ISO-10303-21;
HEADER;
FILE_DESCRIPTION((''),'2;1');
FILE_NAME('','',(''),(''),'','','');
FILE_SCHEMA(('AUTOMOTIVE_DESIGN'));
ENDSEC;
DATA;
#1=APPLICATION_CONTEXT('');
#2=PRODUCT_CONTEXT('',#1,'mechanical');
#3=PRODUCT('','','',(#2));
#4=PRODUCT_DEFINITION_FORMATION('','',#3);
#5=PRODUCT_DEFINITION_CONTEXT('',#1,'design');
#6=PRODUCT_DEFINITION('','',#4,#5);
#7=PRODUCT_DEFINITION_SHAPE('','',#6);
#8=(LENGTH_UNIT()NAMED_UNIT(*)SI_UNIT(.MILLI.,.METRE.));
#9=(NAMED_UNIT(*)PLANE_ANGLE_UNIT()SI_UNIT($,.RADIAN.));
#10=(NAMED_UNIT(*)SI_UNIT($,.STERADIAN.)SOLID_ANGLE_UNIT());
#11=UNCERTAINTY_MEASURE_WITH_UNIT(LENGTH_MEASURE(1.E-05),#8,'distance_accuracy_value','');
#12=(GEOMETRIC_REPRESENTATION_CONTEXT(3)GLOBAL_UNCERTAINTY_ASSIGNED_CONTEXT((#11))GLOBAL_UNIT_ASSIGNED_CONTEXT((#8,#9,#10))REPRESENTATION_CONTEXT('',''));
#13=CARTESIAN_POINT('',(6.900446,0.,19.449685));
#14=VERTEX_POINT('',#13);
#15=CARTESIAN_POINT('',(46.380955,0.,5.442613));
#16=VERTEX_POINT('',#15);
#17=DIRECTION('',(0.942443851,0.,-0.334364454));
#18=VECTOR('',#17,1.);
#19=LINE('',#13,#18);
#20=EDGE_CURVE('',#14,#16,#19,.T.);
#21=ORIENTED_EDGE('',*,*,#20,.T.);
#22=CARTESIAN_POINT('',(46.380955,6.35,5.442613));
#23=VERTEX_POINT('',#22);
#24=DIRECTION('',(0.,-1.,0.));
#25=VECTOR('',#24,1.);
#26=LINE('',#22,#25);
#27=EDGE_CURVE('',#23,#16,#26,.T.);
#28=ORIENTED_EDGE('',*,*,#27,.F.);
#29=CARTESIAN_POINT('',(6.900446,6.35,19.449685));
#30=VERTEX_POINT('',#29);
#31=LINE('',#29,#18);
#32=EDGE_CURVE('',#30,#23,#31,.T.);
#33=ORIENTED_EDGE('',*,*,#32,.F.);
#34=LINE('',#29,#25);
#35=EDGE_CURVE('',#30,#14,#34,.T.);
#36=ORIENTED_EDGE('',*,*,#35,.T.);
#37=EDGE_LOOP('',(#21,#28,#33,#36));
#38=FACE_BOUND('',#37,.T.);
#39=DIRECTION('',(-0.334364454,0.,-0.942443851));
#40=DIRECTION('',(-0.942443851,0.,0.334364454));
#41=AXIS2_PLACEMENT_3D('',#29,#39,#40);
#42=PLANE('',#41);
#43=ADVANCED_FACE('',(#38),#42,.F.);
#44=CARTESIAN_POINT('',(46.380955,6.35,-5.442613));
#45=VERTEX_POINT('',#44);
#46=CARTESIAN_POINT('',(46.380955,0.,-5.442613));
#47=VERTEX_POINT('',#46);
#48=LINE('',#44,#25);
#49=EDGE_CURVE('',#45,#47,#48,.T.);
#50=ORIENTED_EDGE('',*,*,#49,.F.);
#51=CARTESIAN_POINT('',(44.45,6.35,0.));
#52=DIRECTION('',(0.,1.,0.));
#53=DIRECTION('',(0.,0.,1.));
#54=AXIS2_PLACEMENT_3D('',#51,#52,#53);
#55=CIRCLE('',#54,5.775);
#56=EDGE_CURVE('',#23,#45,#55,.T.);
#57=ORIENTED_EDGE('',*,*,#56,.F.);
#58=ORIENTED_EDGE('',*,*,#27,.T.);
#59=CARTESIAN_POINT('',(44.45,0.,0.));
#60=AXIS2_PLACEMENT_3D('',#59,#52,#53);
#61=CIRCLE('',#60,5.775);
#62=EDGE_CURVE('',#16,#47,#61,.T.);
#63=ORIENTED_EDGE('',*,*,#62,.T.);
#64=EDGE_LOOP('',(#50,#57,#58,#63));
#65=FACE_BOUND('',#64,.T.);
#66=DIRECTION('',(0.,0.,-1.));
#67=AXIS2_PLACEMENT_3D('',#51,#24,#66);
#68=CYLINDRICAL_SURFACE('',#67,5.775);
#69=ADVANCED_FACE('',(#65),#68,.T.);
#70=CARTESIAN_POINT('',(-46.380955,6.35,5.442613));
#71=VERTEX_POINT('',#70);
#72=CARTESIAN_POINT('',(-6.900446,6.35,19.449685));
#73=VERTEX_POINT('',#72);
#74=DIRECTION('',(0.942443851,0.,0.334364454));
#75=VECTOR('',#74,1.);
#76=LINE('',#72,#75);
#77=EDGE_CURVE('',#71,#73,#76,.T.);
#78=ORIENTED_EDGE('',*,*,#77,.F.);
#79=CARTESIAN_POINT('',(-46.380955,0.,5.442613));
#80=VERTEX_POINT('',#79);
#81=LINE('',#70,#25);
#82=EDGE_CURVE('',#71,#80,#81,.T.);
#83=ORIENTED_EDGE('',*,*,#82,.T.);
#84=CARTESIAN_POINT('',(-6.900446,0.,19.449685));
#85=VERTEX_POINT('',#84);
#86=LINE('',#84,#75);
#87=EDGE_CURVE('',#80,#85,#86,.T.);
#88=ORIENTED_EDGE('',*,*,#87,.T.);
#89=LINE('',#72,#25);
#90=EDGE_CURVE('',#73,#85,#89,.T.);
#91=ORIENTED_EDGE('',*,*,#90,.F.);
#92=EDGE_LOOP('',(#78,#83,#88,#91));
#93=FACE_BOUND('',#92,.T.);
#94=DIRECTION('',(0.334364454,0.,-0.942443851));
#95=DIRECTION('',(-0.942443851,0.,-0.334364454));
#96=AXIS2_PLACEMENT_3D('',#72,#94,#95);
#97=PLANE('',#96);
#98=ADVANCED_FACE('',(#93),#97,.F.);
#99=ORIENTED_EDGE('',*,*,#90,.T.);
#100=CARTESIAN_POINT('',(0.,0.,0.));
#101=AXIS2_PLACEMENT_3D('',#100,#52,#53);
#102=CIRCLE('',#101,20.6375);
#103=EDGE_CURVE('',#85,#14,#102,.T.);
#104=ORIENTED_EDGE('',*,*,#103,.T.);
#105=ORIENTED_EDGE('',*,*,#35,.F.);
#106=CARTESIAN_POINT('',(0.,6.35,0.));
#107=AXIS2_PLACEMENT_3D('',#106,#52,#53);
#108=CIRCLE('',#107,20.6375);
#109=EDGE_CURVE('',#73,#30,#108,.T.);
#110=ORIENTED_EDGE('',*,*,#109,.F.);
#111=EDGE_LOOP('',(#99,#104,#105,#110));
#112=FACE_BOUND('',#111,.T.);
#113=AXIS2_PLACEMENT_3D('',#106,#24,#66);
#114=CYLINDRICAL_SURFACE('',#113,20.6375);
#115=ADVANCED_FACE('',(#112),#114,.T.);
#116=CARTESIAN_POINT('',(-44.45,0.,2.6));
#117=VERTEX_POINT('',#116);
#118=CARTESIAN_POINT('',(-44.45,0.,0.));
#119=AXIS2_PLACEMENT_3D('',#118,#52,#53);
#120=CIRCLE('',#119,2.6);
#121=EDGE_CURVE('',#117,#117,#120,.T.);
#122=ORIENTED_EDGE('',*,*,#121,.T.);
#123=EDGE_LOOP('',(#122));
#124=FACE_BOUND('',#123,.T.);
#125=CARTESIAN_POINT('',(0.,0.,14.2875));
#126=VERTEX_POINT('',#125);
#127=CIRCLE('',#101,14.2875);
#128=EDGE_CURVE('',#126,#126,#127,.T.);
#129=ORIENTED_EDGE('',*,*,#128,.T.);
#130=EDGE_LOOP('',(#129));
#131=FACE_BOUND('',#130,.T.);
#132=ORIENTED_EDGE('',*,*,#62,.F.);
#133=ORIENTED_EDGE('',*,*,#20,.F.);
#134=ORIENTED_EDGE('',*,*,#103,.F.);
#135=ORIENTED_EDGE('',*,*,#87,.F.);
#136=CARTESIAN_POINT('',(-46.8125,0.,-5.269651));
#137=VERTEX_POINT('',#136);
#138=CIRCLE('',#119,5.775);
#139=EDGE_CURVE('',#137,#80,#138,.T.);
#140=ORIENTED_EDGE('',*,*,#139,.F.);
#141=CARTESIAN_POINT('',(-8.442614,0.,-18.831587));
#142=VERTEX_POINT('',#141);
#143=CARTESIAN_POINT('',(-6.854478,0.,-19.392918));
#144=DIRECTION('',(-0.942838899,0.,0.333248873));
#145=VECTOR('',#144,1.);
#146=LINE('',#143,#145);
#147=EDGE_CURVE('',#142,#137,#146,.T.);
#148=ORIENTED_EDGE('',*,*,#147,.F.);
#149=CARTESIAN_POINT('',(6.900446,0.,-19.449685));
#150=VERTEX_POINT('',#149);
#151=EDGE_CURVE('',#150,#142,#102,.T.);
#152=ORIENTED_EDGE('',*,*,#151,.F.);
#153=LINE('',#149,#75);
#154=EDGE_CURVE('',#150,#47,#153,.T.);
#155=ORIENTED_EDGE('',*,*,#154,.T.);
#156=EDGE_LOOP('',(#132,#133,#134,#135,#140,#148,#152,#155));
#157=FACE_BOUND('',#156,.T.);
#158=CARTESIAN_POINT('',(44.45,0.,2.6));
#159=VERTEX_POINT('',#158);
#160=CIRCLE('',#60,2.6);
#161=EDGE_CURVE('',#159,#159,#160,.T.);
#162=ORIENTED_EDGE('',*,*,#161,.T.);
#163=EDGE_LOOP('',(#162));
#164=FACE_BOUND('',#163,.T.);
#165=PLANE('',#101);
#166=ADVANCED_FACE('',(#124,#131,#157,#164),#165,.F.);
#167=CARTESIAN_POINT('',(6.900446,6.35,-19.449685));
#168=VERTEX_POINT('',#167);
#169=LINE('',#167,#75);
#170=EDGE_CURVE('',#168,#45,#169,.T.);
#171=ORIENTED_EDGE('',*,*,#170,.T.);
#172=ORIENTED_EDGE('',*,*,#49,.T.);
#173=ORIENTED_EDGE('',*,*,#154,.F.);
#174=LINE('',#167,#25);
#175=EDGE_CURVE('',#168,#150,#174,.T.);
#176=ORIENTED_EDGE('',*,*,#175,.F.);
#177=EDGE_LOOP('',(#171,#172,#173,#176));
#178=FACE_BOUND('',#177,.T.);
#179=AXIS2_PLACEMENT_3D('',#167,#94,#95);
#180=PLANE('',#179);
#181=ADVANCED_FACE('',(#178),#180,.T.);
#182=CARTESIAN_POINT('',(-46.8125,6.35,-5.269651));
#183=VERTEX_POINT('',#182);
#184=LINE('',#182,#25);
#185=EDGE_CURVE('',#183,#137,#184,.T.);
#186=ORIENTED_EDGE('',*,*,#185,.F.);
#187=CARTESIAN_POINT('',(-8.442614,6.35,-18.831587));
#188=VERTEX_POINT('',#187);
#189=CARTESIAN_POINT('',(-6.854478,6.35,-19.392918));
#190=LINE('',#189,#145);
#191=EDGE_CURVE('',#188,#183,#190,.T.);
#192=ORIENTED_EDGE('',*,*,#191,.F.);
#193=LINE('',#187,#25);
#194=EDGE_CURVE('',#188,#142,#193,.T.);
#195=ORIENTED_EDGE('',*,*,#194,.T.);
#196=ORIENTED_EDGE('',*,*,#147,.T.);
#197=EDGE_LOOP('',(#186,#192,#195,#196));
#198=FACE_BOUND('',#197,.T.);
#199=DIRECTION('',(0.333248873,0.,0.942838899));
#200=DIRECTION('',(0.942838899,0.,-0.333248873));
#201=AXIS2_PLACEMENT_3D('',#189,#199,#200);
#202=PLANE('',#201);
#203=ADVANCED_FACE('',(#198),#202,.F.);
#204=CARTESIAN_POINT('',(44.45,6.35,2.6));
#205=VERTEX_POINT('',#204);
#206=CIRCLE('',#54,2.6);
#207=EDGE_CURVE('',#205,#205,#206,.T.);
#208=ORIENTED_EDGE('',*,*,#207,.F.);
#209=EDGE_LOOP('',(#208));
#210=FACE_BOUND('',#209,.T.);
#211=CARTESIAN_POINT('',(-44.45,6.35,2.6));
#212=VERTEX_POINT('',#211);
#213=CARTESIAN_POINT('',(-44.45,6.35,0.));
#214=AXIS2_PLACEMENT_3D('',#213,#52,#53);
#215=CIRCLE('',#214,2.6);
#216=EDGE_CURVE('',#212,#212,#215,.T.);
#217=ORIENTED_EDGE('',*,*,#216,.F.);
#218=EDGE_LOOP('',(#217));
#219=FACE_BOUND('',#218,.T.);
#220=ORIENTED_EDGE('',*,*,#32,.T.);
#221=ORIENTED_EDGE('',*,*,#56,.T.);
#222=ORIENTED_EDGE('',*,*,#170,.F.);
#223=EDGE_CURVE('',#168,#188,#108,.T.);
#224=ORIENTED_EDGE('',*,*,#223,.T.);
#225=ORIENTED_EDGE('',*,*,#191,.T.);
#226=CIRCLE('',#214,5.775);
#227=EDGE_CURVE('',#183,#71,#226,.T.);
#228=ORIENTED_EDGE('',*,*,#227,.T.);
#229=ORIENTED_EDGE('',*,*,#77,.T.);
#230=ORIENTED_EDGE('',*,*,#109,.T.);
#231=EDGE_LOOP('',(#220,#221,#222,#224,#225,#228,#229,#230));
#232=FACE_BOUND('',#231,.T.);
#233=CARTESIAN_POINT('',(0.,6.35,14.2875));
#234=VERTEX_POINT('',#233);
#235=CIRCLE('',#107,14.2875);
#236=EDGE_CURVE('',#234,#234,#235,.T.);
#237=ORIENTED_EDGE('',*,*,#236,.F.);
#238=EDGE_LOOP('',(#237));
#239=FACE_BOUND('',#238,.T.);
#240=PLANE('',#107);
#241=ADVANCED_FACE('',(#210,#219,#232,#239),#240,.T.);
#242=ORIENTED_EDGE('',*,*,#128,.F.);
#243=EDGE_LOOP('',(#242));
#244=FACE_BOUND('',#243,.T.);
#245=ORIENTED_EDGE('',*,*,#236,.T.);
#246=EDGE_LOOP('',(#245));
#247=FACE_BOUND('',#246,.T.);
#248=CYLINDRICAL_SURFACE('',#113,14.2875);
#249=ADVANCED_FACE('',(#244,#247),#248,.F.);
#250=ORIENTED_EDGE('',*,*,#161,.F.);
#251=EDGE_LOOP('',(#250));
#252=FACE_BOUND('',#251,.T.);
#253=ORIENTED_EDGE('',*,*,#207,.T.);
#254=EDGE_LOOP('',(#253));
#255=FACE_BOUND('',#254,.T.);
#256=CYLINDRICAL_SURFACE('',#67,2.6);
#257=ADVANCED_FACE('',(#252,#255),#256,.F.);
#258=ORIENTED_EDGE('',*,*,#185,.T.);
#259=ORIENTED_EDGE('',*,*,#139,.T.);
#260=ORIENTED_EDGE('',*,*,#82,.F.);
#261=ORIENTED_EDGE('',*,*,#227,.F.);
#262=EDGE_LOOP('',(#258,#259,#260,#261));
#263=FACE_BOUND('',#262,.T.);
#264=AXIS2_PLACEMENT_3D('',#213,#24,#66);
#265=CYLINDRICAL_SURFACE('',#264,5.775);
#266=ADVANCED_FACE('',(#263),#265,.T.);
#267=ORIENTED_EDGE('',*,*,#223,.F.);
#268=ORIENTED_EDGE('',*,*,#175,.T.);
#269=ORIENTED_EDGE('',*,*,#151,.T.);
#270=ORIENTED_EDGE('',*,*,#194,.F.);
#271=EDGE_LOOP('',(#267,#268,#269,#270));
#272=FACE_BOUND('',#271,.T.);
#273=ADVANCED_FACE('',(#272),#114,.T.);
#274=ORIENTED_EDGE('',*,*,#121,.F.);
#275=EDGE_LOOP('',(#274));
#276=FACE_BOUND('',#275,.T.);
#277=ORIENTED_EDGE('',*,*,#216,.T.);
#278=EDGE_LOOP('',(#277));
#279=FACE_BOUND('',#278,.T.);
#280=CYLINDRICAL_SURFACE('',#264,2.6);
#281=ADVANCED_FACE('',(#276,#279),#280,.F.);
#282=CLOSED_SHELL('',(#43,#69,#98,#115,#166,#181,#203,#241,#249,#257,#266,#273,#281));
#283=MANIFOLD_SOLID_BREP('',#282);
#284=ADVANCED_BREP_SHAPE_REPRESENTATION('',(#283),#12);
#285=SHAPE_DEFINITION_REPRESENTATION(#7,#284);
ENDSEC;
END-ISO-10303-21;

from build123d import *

# Parameters (mm, degrees)
SKETCH1_R           = 14.2875
SKETCH1_R_2         = 2.6
BOSS_EXTRUDE2_DEPTH = 6.35


with BuildPart() as part:
    # Sketch1 → Boss-Extrude2 (new body)
    with BuildSketch(Plane(origin=(0, 0, 0), x_dir=(1, 0, 0), z_dir=(0, 1, 0))):
        with BuildLine():
            Line((46.380954724, 5.442613237), (6.900446429, 19.449684968))
            ThreePointArc((6.900446429, 19.449684968), (-0.8307112, 20.620774116), (-8.442613636, 18.831587327))
            Line((-8.442613636, 18.831587327), (-46.8125, 5.269650724))
            ThreePointArc((-46.8125, 5.269650724), (-50.220319589, -0.232458252), (-46.380954724, -5.442613237))
            Line((-46.380954724, -5.442613237), (-6.900446429, -19.449684968))
            ThreePointArc((-6.900446429, -19.449684968), (0, -20.6375), (6.900446429, -19.449684968))
            Line((6.900446429, -19.449684968), (46.380954724, -5.442613237))
            ThreePointArc((46.380954724, -5.442613237), (50.225, 0), (46.380954724, 5.442613237))
        make_face()
        Circle(SKETCH1_R, mode=Mode.SUBTRACT)
        with Locations((44.45, 0)):
            Circle(SKETCH1_R_2, mode=Mode.SUBTRACT)
        with Locations((-44.45, 0)):
            Circle(SKETCH1_R_2, mode=Mode.SUBTRACT)
    extrude(amount=BOSS_EXTRUDE2_DEPTH)


solid = part.part
